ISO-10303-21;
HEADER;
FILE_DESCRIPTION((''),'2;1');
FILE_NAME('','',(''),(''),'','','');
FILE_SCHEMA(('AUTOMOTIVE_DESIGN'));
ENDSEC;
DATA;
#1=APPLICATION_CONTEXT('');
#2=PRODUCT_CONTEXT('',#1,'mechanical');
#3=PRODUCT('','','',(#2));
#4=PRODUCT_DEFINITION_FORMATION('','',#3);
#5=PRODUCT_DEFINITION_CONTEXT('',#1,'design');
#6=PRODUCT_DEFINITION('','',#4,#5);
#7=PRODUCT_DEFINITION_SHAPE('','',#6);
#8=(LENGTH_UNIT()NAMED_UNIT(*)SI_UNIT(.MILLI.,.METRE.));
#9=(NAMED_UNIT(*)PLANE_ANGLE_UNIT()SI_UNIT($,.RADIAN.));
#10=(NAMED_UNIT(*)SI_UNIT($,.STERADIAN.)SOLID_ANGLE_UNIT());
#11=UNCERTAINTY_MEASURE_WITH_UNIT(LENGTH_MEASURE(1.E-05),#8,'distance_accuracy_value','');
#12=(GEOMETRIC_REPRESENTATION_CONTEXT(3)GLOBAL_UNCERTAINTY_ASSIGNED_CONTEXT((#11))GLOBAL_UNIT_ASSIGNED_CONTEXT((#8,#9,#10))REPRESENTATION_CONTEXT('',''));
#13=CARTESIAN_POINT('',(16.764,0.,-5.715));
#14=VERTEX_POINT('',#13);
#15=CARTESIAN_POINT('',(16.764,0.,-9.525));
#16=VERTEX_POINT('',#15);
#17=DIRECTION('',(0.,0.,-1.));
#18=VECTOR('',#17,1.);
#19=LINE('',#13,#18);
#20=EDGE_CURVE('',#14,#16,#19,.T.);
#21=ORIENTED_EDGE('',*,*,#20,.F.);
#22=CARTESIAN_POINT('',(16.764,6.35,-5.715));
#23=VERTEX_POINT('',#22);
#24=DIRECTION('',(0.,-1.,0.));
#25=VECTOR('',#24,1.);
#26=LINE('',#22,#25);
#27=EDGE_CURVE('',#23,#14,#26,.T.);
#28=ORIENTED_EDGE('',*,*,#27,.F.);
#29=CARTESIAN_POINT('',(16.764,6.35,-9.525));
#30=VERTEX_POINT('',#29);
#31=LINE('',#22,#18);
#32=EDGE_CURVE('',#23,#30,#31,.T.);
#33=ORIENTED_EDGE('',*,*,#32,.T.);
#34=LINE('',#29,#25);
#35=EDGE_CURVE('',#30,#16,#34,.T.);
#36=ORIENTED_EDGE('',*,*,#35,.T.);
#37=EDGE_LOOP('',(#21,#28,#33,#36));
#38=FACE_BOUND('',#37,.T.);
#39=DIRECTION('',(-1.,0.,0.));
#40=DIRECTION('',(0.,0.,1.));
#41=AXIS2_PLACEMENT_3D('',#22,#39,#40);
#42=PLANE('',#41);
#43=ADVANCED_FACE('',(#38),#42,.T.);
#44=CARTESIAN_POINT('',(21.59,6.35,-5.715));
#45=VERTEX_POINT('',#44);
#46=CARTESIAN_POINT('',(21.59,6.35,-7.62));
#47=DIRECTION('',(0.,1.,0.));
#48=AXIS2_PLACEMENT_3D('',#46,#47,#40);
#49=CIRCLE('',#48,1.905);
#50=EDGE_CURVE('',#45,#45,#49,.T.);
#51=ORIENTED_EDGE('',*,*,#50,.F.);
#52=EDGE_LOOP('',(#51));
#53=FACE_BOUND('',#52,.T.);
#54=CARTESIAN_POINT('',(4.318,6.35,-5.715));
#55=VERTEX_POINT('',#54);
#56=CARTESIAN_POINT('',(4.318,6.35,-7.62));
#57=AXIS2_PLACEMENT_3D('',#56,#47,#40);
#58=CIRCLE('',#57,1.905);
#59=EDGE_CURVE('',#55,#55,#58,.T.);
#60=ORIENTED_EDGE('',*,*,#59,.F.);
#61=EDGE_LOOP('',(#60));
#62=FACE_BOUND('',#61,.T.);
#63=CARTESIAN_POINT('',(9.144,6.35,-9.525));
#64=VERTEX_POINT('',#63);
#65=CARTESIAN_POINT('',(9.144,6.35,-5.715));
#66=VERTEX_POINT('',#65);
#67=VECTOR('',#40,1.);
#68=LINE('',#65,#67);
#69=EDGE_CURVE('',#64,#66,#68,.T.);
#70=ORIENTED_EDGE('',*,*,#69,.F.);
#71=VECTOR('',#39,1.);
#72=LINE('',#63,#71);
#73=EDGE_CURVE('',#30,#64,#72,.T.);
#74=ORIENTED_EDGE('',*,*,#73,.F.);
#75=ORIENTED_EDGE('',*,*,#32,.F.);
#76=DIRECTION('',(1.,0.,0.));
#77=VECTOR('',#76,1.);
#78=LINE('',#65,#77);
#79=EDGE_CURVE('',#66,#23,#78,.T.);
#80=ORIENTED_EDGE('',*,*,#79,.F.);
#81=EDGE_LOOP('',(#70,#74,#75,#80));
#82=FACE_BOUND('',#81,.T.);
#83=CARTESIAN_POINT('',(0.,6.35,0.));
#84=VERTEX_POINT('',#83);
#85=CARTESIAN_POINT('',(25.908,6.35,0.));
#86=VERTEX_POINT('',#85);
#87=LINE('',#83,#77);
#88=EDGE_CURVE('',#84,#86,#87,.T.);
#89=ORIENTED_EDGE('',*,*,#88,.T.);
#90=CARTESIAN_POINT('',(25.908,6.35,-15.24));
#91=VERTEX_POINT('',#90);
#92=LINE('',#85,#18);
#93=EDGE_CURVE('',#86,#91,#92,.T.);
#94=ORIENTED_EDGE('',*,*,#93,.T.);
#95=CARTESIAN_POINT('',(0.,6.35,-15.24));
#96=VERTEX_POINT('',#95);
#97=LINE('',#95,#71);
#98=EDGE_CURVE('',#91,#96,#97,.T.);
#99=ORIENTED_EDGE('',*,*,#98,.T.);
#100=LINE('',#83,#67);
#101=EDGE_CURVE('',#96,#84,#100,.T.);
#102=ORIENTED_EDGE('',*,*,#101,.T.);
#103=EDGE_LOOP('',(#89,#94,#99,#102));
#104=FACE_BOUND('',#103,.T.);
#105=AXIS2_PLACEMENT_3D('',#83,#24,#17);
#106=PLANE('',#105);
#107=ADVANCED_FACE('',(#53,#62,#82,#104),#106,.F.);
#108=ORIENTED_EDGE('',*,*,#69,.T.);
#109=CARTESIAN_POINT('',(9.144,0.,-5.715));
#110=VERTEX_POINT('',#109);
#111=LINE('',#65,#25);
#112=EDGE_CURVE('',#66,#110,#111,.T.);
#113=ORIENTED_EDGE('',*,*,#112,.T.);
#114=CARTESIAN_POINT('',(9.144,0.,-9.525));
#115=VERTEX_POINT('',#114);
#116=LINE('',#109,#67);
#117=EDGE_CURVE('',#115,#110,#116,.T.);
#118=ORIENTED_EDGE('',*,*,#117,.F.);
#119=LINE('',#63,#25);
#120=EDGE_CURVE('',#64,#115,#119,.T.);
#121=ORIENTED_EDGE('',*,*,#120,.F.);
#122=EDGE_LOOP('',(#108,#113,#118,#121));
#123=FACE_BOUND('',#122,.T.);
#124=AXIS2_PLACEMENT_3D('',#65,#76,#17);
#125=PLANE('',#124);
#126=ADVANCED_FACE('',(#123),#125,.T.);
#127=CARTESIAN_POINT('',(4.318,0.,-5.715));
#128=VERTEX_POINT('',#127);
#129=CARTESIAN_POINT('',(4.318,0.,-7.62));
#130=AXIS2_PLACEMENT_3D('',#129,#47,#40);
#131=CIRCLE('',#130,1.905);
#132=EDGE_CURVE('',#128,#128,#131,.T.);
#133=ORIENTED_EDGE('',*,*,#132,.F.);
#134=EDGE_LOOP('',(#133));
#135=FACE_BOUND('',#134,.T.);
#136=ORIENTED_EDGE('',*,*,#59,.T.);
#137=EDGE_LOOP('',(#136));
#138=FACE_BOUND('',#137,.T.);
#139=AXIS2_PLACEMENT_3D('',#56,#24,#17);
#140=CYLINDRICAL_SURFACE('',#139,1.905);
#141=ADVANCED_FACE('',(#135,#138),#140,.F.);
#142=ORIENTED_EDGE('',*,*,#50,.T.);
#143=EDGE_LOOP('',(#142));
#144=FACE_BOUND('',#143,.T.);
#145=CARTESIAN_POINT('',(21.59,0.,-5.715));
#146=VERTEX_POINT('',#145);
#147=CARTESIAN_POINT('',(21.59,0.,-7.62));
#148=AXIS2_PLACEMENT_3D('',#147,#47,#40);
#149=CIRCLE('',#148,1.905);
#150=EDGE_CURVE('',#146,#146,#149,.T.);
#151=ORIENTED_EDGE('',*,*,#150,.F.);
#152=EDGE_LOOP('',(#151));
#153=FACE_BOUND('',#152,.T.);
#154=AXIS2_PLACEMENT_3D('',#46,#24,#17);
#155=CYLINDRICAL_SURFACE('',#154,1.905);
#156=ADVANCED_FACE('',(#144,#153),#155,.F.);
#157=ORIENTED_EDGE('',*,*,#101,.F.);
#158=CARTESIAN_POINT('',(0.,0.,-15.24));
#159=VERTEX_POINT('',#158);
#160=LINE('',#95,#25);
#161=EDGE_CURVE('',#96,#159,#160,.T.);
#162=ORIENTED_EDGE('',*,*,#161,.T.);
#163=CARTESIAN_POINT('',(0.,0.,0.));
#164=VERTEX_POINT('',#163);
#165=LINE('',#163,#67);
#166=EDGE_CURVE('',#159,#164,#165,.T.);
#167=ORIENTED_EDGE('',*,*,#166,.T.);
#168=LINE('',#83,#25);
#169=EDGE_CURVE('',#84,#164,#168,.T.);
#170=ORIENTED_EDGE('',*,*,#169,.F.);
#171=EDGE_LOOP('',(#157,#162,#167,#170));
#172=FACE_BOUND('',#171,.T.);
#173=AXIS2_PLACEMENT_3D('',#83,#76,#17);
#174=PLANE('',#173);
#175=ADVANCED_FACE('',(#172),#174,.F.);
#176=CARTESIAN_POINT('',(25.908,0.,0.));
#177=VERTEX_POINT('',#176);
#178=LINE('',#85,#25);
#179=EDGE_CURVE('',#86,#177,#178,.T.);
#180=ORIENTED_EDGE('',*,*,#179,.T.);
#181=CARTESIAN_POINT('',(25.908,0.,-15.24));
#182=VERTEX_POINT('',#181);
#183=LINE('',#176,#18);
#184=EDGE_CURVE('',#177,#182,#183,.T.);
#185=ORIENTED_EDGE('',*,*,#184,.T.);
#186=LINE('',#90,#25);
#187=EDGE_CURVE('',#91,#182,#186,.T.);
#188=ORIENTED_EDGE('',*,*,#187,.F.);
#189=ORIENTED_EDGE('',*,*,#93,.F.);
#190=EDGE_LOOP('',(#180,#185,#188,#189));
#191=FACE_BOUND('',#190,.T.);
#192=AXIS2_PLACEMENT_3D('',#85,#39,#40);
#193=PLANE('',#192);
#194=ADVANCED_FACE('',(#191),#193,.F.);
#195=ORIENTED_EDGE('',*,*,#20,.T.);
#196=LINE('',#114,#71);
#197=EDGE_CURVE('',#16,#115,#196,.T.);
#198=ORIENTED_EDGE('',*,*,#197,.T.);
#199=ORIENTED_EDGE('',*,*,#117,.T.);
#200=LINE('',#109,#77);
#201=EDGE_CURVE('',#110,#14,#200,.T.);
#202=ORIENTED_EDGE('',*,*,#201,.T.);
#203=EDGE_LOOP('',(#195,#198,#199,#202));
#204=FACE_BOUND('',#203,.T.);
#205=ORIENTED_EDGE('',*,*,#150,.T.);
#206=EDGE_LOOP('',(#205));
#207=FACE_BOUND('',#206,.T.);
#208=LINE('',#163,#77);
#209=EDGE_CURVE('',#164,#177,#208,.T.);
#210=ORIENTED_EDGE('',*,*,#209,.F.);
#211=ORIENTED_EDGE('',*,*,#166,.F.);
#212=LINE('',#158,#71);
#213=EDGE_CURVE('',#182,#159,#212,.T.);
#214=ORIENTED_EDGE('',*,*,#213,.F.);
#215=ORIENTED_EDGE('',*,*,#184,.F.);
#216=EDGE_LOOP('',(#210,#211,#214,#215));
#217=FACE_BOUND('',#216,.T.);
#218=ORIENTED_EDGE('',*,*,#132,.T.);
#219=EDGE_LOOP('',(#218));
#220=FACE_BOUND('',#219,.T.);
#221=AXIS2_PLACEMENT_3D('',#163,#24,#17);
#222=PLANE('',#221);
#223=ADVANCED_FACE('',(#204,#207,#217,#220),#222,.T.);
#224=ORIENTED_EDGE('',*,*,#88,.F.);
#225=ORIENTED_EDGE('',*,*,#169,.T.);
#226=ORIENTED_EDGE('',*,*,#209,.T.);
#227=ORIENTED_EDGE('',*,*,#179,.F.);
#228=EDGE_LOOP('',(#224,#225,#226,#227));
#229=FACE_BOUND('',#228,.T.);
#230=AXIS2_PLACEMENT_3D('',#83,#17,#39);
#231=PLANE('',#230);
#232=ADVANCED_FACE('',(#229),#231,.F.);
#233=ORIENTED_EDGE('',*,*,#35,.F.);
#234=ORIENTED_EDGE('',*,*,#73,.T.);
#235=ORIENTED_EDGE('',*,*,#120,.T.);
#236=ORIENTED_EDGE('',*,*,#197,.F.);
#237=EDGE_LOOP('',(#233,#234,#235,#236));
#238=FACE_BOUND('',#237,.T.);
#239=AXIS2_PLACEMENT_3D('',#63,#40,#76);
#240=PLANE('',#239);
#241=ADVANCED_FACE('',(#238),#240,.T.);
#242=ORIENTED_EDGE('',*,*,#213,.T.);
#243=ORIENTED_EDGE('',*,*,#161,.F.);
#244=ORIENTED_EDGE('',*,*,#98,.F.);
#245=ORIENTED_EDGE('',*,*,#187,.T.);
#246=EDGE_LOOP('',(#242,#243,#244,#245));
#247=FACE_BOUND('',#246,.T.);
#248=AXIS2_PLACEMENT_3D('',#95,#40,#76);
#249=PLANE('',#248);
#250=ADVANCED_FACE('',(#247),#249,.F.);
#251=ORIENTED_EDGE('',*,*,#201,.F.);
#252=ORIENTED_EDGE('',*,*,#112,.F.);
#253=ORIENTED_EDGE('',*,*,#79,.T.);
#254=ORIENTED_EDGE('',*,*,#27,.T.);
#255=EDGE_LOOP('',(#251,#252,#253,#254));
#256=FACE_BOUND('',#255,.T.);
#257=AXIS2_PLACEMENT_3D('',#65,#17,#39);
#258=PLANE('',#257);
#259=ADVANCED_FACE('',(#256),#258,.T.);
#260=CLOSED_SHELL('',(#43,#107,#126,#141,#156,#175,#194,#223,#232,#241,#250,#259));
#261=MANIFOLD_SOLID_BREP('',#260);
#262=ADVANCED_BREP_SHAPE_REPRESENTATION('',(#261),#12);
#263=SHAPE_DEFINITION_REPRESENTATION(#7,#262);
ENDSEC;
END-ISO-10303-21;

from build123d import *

# Parameters (mm, degrees)
SKETCH1_W           = 25.908
SKETCH1_H           = 15.24
SKETCH1_R           = 1.905
SKETCH1_W_2         = 7.62
SKETCH1_H_2         = 3.81
BOSS_EXTRUDE1_DEPTH = 6.35


with BuildPart() as part:
    # Sketch1 → Boss-Extrude1 (new body)
    with BuildSketch(Plane(origin=(0, 0, 0), x_dir=(1, 0, 0), z_dir=(0, 1, 0))):
        with Locations((12.954, 7.62)):
            Rectangle(SKETCH1_W, SKETCH1_H)
        with Locations(Location((4.318, 7.62, 0), (0, 0, 270))):
            Circle(SKETCH1_R, mode=Mode.SUBTRACT)
        with Locations(Location((21.59, 7.62, 0), (0, 0, 270))):
            Circle(SKETCH1_R, mode=Mode.SUBTRACT)
        with Locations((12.954, 7.62)):
            Rectangle(SKETCH1_W_2, SKETCH1_H_2, mode=Mode.SUBTRACT)
    extrude(amount=BOSS_EXTRUDE1_DEPTH)


solid = part.part
